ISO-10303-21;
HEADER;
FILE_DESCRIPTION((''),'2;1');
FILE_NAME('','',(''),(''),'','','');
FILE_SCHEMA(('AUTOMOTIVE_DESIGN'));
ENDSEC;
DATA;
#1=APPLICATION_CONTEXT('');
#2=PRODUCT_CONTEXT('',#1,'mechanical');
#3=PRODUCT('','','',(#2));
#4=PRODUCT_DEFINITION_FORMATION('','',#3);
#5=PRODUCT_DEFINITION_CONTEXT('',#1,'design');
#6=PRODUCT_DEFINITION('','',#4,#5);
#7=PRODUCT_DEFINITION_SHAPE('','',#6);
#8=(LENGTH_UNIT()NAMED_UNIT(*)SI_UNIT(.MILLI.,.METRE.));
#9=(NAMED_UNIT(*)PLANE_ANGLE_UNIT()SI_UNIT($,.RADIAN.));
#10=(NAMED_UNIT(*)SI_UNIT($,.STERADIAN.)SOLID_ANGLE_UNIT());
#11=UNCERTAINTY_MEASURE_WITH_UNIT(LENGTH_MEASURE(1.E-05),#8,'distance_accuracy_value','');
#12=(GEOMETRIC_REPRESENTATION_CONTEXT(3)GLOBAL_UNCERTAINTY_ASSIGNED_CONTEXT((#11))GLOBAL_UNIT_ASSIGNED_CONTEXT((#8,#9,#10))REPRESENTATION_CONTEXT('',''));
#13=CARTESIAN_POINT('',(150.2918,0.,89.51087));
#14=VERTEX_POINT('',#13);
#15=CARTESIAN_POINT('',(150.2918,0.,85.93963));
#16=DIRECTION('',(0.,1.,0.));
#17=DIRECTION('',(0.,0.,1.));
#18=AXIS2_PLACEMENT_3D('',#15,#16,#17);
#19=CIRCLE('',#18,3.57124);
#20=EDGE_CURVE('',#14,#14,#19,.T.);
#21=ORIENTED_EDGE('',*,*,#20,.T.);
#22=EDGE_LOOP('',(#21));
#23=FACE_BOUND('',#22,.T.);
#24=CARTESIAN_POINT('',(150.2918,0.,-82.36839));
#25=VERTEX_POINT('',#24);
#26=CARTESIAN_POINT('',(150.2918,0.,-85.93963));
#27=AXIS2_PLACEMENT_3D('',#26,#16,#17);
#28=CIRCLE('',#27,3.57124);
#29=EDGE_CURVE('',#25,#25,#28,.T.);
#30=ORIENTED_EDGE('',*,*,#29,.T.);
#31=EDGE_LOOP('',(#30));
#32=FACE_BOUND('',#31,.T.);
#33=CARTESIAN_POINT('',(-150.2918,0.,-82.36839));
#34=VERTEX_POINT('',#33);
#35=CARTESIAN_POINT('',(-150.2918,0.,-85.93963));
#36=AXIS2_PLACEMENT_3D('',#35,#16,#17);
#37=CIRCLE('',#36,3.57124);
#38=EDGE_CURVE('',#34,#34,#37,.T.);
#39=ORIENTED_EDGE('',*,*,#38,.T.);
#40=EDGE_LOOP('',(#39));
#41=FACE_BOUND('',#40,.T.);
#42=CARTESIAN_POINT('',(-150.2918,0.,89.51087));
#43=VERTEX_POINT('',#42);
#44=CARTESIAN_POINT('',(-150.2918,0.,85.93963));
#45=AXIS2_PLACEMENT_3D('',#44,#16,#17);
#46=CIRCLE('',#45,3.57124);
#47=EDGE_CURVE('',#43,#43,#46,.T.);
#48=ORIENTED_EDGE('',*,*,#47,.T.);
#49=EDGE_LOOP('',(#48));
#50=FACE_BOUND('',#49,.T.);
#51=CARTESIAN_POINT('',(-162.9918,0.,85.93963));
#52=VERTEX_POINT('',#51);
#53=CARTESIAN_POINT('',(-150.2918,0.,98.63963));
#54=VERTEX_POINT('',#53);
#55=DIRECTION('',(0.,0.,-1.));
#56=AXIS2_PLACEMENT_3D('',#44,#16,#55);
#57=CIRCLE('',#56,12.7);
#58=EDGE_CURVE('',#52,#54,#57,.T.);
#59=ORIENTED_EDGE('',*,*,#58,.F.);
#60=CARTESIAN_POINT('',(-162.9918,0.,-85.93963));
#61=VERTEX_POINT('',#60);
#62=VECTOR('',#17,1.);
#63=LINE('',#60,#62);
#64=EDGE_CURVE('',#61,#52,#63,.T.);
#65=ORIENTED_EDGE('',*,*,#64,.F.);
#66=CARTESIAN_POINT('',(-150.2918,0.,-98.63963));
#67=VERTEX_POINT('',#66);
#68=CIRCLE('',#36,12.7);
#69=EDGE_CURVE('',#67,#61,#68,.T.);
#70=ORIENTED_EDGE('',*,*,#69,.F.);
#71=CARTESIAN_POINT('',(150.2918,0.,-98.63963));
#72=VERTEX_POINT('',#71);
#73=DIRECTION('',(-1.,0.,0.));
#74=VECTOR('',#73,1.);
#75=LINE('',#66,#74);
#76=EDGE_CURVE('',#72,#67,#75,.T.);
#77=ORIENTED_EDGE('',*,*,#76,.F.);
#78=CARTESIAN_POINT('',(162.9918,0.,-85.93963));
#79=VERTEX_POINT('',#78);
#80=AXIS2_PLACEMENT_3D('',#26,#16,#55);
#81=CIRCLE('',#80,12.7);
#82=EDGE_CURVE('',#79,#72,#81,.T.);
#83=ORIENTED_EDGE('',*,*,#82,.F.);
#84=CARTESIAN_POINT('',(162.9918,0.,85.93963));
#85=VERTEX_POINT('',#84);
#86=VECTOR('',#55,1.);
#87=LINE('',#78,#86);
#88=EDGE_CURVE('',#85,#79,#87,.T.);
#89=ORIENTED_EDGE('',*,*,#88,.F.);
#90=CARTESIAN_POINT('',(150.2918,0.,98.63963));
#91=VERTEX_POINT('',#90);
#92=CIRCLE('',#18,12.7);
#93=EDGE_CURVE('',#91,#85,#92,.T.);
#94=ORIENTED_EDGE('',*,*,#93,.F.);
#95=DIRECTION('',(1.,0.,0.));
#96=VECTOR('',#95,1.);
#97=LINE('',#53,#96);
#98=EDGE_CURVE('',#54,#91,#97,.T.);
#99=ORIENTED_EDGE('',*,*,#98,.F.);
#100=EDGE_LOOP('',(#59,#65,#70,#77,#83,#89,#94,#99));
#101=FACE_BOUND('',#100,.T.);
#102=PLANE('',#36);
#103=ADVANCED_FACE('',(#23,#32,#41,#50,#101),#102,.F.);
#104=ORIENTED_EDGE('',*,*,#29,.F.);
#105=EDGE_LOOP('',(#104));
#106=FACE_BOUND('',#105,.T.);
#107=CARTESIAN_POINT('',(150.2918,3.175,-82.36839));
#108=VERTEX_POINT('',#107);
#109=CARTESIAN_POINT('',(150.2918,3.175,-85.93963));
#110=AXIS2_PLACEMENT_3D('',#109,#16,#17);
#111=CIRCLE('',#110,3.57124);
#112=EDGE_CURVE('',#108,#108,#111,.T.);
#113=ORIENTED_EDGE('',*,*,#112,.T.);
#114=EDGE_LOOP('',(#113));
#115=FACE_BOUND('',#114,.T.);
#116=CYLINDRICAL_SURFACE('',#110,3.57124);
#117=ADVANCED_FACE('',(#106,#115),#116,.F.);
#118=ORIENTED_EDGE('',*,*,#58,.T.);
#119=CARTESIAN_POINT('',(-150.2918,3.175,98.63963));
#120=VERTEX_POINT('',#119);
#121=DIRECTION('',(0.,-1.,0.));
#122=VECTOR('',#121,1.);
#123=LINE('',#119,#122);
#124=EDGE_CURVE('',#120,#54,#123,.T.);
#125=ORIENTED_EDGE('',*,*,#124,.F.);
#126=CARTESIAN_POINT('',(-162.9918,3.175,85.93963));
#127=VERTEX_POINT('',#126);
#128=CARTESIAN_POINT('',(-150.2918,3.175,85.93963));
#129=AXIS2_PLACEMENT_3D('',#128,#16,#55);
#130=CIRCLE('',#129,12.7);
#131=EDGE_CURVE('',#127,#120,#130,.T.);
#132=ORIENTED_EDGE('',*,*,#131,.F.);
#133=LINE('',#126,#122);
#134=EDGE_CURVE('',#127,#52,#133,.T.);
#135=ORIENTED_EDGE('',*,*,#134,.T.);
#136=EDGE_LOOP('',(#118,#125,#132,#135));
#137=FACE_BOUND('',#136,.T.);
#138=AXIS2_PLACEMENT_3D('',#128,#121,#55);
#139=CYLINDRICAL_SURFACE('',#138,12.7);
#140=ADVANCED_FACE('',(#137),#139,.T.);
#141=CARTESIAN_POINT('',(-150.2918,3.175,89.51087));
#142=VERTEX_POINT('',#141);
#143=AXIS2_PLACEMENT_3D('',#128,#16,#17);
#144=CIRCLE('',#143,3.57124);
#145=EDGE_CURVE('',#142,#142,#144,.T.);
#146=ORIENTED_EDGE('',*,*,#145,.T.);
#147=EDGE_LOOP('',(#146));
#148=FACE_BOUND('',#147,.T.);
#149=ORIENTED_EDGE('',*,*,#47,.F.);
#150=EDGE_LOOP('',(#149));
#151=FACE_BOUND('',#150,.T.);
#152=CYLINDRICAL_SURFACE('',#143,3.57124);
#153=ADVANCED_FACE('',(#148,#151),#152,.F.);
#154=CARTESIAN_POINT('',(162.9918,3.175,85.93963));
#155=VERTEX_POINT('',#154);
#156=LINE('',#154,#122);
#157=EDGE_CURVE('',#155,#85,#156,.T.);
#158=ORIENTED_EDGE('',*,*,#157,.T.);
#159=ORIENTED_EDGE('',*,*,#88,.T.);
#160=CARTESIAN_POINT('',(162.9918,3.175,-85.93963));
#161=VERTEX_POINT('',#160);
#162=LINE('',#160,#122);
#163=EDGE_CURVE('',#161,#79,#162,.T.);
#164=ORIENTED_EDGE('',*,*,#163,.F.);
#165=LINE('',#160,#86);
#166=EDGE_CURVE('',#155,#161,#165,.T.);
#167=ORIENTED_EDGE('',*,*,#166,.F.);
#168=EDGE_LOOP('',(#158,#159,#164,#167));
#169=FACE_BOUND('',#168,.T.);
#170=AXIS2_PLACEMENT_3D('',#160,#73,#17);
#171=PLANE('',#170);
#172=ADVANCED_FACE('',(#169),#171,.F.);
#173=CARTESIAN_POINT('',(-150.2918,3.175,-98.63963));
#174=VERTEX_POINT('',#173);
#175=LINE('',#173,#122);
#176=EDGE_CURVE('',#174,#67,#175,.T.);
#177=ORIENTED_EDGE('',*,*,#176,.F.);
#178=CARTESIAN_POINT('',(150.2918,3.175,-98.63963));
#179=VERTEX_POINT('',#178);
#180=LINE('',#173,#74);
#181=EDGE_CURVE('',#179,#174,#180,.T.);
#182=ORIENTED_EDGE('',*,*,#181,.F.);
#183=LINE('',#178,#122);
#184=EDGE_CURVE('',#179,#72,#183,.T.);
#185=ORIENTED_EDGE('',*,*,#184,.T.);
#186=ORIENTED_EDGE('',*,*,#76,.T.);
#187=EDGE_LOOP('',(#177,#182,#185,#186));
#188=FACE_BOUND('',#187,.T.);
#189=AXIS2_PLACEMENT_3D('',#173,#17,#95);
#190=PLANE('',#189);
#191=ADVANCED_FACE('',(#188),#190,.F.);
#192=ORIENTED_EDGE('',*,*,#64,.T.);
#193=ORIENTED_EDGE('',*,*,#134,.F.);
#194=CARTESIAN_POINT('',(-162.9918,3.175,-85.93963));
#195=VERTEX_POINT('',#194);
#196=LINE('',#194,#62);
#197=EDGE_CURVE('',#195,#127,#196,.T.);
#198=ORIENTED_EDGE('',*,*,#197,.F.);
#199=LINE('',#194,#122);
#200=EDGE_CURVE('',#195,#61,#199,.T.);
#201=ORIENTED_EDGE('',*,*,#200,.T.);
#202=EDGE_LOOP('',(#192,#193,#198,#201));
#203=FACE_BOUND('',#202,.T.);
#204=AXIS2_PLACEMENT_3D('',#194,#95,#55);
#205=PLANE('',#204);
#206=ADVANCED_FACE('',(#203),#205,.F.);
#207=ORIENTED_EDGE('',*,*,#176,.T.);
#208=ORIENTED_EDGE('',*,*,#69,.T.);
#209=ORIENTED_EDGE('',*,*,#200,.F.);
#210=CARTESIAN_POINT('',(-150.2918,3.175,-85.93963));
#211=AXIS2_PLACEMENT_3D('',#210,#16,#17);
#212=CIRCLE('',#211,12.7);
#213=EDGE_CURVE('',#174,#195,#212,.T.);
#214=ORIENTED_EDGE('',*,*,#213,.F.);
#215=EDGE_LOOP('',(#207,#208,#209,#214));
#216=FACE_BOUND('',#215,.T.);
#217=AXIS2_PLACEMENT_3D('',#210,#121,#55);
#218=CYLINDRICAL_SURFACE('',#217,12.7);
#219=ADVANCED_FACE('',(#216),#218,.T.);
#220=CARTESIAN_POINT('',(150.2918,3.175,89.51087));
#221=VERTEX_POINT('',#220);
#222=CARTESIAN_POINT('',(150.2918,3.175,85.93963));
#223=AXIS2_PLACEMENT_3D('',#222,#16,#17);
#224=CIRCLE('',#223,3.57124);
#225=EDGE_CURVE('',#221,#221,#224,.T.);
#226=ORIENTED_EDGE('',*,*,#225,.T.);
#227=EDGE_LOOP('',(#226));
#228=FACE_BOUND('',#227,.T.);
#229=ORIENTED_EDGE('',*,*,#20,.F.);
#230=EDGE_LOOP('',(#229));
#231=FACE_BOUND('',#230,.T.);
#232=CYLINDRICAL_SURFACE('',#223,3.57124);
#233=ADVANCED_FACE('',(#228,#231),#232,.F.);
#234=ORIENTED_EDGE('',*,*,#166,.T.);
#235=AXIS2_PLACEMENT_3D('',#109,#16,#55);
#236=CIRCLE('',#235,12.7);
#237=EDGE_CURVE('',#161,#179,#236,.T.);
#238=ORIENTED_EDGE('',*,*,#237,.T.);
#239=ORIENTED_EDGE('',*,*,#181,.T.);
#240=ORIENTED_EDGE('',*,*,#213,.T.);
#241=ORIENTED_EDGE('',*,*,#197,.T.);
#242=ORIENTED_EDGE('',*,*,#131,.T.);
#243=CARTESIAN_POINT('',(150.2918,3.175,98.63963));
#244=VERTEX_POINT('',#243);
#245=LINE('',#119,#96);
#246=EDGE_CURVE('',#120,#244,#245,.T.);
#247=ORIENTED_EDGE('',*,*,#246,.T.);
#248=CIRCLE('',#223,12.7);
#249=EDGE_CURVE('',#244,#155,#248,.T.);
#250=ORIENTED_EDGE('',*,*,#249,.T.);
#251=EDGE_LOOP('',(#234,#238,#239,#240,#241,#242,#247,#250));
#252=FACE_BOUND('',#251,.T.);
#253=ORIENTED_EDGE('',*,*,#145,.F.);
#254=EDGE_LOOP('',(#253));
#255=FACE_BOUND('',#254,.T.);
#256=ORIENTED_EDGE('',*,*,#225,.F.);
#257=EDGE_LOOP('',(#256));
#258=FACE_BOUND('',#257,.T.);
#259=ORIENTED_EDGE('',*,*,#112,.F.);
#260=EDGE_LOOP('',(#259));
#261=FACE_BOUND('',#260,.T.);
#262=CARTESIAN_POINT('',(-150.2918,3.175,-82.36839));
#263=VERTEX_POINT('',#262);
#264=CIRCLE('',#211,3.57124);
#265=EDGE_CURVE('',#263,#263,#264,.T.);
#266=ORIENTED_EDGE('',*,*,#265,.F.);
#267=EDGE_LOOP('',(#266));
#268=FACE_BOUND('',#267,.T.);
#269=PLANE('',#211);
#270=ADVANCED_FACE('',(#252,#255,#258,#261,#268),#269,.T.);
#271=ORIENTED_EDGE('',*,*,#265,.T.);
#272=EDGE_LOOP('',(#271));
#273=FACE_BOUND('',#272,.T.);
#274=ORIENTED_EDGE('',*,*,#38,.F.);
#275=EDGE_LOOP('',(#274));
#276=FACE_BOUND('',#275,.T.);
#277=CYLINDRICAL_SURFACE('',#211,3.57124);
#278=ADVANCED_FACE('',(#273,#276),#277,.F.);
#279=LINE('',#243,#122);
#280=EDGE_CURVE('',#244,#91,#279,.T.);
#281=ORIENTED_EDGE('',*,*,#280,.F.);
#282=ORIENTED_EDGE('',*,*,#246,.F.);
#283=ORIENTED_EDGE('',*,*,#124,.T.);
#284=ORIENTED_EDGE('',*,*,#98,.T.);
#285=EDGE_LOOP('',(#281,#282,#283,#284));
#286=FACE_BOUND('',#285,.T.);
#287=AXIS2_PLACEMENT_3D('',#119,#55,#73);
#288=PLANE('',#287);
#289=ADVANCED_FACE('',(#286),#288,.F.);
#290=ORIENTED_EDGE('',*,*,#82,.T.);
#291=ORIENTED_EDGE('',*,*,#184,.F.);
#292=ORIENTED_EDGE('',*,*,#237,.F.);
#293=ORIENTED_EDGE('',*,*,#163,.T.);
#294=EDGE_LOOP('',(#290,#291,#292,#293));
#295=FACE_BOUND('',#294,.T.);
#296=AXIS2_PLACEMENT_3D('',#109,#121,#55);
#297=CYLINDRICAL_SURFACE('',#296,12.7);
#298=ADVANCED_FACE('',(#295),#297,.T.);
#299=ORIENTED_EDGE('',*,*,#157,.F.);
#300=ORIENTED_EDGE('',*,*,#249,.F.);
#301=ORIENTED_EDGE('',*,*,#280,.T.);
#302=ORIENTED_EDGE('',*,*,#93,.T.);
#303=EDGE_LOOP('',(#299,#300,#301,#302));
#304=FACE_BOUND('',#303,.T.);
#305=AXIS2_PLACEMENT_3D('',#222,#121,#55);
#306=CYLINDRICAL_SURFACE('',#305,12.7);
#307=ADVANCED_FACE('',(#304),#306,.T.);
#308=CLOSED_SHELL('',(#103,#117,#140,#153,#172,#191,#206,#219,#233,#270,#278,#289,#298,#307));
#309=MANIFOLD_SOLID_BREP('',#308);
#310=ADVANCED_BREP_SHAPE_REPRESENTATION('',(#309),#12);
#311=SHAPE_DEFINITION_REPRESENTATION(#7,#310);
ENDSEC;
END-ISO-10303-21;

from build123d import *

# Parameters (mm, degrees)
BOSS_EXTRUDE1_DEPTH     = 3.175
F_1_4_CLEARANCE_HOLE1_D = 7.14248


with BuildPart() as part:
    # Sketch1 → Boss-Extrude1 (new body)
    with BuildSketch(Plane(origin=(0, 0, 0), x_dir=(1, 0, 0), z_dir=(0, 1, 0))):
        with BuildLine():
            Line((-150.2918, 98.63963), (150.2918, 98.63963))
            ThreePointArc((150.2918, 98.63963), (159.272056121, 94.919886121), (162.9918, 85.93963))
            Line((162.9918, 85.93963), (162.9918, -85.93963))
            ThreePointArc((162.9918, -85.93963), (159.272056121, -94.919886121), (150.2918, -98.63963))
            Line((150.2918, -98.63963), (-150.2918, -98.63963))
            ThreePointArc((-150.2918, -98.63963), (-159.272056121, -94.919886121), (-162.9918, -85.93963))
            Line((-162.9918, -85.93963), (-162.9918, 85.93963))
            ThreePointArc((-162.9918, 85.93963), (-159.272056121, 94.919886121), (-150.2918, 98.63963))
        make_face()
    extrude(amount=BOSS_EXTRUDE1_DEPTH)

    # 1/4 Clearance Hole1 (through all)
    with Locations(Plane(origin=(0, 3.175, 0), x_dir=(1, 0, 0), z_dir=(0, 1, 0))):
        with Locations((-150.2918, 85.93963), (150.2918, 85.93963), (150.2918, -85.93963), (-150.2918, -85.93963)):
            Hole(F_1_4_CLEARANCE_HOLE1_D / 2)


solid = part.part
